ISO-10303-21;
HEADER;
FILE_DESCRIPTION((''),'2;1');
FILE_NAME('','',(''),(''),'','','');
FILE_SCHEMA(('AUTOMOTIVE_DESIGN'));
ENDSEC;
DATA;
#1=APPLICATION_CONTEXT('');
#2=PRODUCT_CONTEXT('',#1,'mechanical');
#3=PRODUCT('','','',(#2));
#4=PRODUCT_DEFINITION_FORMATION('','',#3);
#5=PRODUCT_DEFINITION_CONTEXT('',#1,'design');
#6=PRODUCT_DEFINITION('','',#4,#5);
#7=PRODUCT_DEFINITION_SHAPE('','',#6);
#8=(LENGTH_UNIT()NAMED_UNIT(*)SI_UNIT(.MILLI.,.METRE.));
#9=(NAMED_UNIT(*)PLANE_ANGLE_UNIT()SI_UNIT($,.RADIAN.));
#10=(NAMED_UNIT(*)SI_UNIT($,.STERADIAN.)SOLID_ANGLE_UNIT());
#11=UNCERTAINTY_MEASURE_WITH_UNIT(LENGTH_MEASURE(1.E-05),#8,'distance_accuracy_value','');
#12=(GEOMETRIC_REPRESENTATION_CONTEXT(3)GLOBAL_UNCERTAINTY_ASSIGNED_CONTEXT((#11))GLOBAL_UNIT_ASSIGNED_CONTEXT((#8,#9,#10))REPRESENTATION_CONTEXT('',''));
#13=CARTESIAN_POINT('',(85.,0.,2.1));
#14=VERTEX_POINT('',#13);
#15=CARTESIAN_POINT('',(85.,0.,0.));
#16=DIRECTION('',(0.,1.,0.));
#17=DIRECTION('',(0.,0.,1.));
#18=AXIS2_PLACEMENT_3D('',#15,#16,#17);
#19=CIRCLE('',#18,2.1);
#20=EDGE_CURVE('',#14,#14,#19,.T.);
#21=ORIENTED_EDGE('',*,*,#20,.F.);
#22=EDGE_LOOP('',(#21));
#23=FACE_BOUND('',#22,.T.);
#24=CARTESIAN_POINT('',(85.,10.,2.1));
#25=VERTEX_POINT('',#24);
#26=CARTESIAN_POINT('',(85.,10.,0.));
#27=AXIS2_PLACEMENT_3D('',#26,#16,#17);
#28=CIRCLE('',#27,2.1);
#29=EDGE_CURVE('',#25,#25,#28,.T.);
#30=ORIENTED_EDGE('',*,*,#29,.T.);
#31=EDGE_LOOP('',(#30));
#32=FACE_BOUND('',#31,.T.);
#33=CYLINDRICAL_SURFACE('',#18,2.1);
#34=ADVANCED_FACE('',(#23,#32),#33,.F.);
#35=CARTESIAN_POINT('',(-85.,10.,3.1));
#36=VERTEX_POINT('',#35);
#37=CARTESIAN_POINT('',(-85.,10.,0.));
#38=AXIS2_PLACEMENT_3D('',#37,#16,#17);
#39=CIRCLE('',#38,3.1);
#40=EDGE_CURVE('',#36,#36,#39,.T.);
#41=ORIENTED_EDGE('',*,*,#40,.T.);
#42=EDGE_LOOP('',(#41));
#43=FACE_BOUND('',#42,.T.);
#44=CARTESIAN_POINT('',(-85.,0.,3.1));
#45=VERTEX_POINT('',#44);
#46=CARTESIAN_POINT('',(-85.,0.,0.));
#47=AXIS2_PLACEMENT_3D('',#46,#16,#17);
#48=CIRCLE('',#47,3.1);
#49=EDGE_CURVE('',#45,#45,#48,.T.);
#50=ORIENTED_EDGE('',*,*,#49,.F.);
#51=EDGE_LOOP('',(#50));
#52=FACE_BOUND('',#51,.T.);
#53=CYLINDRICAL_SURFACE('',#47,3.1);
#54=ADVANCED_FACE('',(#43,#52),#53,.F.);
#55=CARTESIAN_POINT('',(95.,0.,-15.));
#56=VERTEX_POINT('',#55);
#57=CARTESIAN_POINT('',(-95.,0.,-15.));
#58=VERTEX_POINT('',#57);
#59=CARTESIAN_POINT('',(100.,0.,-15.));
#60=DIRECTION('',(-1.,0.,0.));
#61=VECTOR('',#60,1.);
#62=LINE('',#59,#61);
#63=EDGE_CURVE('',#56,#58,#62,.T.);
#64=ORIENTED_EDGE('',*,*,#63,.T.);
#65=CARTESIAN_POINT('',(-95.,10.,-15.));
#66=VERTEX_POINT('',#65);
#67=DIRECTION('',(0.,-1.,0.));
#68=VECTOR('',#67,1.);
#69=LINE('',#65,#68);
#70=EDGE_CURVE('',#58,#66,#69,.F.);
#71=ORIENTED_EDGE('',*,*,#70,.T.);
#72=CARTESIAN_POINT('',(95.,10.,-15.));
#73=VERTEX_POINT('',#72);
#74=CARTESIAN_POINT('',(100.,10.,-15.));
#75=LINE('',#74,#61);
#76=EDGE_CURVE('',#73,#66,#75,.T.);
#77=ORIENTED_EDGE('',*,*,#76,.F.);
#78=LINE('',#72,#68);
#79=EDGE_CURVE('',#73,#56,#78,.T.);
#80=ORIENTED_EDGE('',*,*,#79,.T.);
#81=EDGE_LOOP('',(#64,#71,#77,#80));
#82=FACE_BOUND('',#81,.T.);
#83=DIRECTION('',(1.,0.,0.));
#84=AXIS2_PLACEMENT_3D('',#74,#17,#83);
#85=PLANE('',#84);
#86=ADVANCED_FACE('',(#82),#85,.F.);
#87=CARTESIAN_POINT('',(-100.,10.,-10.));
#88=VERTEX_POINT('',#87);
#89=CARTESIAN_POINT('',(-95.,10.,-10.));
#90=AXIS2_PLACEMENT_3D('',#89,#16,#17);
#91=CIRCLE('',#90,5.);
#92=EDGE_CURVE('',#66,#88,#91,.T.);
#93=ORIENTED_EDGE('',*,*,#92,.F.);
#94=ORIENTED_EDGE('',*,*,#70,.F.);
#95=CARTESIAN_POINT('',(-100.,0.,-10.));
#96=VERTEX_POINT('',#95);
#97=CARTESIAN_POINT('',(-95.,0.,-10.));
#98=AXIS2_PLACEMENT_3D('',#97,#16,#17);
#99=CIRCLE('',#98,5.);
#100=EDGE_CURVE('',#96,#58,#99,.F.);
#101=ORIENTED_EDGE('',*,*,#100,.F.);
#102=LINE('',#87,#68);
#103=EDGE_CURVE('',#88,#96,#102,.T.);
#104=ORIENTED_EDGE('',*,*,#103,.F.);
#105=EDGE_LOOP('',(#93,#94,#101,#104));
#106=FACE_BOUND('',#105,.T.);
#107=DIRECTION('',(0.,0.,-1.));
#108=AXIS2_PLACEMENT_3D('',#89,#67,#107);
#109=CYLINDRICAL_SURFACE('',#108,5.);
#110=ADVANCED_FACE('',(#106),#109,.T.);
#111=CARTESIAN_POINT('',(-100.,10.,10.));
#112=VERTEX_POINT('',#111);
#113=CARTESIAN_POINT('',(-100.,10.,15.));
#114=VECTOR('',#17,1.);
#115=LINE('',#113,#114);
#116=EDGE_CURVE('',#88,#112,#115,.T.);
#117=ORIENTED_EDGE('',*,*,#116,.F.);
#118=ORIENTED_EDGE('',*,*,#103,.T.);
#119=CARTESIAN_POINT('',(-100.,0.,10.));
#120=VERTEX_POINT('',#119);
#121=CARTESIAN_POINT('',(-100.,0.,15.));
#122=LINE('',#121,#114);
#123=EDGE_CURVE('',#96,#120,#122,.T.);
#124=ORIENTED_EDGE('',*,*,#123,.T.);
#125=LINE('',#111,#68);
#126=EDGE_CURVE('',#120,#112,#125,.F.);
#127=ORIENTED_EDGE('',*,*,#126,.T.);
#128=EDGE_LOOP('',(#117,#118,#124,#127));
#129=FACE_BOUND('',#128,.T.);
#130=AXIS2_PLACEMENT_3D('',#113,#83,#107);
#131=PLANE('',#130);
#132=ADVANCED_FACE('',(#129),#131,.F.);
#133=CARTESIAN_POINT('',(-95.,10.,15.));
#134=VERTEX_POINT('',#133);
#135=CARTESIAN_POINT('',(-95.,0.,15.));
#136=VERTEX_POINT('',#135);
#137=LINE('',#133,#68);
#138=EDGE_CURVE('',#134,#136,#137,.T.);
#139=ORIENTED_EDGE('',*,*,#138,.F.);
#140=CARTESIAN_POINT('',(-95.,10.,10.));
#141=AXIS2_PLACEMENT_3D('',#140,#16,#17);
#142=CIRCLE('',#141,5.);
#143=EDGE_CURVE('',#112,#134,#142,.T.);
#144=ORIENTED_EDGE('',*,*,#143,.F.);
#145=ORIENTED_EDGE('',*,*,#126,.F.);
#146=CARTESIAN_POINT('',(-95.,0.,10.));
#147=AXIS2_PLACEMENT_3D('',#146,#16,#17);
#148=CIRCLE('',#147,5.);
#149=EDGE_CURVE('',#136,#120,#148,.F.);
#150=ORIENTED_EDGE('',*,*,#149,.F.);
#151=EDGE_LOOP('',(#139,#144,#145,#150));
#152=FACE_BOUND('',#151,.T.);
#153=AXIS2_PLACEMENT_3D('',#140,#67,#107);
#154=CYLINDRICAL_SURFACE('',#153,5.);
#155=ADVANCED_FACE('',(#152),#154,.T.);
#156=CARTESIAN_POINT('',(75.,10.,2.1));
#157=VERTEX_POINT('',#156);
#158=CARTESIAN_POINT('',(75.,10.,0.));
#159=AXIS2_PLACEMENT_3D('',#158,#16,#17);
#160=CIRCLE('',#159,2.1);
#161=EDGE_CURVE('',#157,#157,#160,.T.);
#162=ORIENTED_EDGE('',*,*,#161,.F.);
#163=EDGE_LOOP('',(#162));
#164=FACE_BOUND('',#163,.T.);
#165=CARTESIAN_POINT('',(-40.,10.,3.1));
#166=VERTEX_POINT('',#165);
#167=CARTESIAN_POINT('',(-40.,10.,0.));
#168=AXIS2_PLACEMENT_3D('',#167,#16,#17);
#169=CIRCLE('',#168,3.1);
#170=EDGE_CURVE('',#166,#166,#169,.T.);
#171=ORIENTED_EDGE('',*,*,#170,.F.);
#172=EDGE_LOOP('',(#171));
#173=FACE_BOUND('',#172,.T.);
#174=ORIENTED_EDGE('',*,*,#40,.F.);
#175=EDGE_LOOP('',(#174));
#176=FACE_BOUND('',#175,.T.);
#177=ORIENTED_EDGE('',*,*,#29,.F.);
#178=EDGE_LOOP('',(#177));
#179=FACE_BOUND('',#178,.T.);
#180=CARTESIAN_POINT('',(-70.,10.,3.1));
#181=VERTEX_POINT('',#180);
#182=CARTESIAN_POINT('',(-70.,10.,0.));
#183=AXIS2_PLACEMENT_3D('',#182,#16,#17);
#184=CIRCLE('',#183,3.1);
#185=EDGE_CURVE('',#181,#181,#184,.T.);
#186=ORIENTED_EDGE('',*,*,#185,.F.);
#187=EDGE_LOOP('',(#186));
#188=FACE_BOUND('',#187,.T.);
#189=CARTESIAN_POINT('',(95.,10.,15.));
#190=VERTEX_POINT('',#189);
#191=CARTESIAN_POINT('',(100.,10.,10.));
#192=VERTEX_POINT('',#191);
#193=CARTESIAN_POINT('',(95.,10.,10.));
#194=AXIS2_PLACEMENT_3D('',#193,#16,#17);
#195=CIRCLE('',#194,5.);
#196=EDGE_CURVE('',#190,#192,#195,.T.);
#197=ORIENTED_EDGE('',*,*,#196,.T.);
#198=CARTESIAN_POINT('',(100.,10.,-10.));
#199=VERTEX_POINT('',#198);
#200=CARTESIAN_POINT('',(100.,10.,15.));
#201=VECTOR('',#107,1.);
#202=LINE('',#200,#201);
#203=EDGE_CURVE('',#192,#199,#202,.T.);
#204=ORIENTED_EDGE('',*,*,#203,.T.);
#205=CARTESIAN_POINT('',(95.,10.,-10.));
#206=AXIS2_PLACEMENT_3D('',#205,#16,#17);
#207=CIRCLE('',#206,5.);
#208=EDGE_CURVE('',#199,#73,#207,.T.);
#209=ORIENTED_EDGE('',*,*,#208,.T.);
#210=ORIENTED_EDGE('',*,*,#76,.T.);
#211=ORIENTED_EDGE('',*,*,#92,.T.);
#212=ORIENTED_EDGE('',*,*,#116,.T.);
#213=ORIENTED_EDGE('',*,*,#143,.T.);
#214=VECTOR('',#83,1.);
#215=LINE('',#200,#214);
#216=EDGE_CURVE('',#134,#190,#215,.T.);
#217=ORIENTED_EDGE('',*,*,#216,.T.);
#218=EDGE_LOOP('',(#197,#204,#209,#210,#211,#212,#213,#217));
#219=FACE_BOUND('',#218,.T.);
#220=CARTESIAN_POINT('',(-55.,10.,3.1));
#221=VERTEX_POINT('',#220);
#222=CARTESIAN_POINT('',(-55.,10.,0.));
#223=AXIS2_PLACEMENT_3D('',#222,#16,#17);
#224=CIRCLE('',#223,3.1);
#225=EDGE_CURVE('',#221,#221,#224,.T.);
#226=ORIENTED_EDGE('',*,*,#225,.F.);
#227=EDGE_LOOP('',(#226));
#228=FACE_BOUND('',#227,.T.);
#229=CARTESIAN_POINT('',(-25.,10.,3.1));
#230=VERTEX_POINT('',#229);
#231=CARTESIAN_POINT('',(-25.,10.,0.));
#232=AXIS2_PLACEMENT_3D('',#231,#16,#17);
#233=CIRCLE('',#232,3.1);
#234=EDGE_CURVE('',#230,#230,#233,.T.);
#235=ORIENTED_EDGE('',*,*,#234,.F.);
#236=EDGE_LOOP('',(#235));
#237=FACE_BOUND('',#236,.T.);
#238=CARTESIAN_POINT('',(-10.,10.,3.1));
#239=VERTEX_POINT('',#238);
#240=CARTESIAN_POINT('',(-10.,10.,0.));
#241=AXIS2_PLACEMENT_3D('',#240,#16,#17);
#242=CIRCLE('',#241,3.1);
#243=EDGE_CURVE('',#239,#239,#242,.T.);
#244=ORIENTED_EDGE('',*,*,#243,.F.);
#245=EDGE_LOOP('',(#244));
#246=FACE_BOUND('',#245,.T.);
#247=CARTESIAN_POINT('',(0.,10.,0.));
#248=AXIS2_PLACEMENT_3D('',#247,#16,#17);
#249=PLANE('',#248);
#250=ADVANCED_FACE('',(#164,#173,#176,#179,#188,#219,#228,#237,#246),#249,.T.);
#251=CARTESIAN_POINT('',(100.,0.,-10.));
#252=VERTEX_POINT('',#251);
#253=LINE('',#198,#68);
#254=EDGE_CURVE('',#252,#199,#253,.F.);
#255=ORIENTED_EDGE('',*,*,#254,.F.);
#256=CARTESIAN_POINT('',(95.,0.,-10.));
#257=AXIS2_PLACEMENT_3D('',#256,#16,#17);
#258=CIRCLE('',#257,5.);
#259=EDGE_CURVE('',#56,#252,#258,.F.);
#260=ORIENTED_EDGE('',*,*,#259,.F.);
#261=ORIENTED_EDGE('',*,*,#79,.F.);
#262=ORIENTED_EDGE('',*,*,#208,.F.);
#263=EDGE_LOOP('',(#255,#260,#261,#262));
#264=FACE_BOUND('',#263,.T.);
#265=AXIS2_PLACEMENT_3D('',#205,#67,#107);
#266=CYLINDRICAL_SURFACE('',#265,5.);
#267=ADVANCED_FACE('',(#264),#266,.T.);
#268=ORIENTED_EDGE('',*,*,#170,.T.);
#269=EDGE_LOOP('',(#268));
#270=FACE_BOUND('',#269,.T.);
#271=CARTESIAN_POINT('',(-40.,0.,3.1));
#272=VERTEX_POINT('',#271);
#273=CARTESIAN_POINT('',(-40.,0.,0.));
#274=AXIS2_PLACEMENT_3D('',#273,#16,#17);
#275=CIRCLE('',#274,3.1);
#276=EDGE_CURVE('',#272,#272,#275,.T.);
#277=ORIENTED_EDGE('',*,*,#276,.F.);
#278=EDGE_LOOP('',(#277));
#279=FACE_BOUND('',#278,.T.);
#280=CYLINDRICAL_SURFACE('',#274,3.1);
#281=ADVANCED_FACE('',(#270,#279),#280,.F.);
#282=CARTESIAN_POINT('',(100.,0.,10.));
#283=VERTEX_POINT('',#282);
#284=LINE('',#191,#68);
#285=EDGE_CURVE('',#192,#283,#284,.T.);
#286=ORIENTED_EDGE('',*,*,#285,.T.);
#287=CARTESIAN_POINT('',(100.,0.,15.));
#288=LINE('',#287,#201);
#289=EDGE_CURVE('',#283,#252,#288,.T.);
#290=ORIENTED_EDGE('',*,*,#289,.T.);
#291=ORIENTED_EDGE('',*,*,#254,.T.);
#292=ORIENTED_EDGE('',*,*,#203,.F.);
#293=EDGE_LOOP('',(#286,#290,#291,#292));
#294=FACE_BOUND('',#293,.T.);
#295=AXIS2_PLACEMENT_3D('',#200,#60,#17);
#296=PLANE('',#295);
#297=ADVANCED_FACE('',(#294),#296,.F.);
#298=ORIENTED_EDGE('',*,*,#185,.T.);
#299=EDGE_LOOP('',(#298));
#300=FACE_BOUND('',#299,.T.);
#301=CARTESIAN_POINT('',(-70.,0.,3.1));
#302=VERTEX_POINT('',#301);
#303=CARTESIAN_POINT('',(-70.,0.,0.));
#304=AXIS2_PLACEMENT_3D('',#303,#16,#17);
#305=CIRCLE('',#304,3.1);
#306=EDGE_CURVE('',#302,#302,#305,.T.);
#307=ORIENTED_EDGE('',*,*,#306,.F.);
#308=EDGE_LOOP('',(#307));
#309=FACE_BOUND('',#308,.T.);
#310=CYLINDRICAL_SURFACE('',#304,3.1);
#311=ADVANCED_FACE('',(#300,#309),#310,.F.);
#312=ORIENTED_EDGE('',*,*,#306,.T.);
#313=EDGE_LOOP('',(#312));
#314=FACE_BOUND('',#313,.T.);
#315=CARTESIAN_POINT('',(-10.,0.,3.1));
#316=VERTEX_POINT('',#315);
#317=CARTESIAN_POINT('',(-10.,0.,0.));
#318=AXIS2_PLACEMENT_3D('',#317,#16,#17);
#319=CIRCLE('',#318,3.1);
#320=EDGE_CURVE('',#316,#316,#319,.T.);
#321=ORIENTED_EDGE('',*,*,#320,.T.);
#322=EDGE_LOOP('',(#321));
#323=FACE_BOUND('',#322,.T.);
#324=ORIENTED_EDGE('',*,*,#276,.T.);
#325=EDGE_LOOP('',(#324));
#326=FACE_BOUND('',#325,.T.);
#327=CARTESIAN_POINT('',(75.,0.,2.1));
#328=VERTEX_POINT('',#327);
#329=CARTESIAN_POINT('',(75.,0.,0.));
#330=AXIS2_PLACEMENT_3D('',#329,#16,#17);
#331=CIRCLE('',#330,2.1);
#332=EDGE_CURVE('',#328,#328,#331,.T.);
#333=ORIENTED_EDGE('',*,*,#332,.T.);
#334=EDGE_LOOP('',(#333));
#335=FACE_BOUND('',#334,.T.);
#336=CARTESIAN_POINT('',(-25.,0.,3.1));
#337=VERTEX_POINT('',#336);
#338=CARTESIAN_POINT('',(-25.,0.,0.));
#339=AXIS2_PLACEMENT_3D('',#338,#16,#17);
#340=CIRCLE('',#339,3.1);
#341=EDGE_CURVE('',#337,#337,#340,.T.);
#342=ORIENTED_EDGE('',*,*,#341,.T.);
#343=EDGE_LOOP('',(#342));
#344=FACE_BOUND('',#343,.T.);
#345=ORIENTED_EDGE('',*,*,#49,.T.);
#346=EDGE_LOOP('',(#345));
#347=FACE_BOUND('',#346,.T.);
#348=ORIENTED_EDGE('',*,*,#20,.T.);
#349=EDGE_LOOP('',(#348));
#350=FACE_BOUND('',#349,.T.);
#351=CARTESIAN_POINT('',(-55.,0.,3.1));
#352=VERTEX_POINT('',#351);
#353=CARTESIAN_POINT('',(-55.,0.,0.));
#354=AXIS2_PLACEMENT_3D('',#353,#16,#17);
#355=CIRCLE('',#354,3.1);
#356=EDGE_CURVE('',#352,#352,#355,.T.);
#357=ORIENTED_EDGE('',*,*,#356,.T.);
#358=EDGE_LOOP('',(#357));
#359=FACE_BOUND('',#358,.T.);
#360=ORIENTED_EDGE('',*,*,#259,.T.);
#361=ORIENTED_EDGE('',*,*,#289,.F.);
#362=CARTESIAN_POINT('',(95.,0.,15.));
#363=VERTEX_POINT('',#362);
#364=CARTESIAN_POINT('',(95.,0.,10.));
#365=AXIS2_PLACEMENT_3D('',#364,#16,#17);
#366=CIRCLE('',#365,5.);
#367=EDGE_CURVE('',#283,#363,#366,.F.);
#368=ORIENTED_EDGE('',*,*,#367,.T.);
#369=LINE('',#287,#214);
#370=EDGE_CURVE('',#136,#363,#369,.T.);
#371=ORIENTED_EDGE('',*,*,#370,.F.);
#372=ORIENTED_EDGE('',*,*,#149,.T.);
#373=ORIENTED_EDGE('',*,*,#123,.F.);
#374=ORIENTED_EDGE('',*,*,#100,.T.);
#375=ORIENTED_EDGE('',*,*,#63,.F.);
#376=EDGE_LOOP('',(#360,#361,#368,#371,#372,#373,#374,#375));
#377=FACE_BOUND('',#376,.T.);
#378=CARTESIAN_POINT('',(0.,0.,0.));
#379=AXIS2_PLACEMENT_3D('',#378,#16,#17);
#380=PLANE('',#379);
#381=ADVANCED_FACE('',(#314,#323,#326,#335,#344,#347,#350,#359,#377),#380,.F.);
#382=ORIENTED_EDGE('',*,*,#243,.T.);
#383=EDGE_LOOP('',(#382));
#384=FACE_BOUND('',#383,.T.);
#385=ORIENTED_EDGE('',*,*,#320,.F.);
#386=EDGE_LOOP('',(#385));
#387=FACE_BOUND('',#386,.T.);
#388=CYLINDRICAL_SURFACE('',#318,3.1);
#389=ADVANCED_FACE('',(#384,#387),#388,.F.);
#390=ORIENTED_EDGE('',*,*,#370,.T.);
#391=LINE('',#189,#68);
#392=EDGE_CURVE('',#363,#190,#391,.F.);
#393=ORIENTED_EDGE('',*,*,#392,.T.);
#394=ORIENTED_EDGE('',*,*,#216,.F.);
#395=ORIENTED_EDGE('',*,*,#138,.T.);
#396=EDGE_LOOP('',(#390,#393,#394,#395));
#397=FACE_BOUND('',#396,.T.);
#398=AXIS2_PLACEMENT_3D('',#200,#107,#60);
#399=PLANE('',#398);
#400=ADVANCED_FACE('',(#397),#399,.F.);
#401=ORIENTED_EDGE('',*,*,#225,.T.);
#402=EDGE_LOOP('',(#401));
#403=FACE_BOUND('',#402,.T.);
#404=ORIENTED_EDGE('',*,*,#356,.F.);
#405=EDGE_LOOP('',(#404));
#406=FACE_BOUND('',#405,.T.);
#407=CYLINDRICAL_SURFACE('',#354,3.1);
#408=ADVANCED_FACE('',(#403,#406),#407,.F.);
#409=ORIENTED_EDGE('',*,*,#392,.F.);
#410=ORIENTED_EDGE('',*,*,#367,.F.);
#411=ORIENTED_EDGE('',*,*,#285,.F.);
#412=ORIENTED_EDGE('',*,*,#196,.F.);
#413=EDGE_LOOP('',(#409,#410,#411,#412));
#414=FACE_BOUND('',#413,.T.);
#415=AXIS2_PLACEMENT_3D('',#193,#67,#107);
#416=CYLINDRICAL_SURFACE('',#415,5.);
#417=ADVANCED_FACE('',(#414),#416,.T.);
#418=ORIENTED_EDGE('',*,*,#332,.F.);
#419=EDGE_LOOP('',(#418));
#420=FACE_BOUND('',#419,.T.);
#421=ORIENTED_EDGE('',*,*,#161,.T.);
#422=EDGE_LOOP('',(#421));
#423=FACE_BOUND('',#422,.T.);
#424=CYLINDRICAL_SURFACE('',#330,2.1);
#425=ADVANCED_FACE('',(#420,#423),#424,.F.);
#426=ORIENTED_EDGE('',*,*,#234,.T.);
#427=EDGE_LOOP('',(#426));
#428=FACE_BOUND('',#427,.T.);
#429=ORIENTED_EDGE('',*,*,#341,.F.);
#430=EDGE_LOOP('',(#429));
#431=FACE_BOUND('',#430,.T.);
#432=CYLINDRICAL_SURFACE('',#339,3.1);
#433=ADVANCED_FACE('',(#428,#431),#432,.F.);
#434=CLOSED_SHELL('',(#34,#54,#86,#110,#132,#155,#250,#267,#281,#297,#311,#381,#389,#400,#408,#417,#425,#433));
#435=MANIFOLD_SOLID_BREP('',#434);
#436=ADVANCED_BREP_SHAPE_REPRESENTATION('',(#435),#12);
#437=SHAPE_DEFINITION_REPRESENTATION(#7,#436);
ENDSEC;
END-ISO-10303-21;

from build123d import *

# Parameters (mm, degrees)
SKETCH1_W           = 200
SKETCH1_H           = 30
BOSS_EXTRUDE1_DEPTH = 10
SKETCH2_R           = 2.1
CUT_EXTRUDE1_DEPTH  = 11
SKETCH3_R           = 3.1
CUT_EXTRUDE2_DEPTH  = 11
LPATTERN1_COUNT     = 6
LPATTERN1_PITCH     = 15
FILLET1_R           = 5


with BuildPart() as part:
    # Sketch1 → Boss-Extrude1 (new body)
    with BuildSketch(Plane(origin=(0, 0, 0), x_dir=(1, 0, 0), z_dir=(0, 1, 0))):
        Rectangle(SKETCH1_W, SKETCH1_H)
    extrude(amount=BOSS_EXTRUDE1_DEPTH)

    # Sketch2 → Cut-Extrude1 (cut, through all)
    with BuildSketch(Plane(origin=(0, 10, 0), x_dir=(1, 0, 0), z_dir=(0, 1, 0))):
        with Locations((85, 0)):
            Circle(SKETCH2_R)
        with Locations((75, 0)):
            Circle(SKETCH2_R)
    extrude(amount=-CUT_EXTRUDE1_DEPTH, mode=Mode.SUBTRACT)

    # Sketch3 → Cut-Extrude2 (cut, through all)
    with BuildSketch(Plane(origin=(0, 10, 0), x_dir=(1, 0, 0), z_dir=(0, 1, 0))):
        with Locations((-85, 0)):
            Circle(SKETCH3_R)
    cut_extrude2 = extrude(amount=-CUT_EXTRUDE2_DEPTH, mode=Mode.SUBTRACT)

    # LPattern1: Cut-Extrude2 ×6
    with Locations(*[(i * LPATTERN1_PITCH, 0, 0) for i in range(1, LPATTERN1_COUNT)]):
        add(cut_extrude2, mode=Mode.SUBTRACT)

    # Fillet1
    fillet1_edges = [part.edges().sort_by_distance(p)[0] for p in [
        (-100, 5, -15),
        (100, 5, -15),
        (100, 5, 15),
        (-100, 5, 15),
    ]]
    fillet(fillet1_edges, radius=FILLET1_R)


solid = part.part
